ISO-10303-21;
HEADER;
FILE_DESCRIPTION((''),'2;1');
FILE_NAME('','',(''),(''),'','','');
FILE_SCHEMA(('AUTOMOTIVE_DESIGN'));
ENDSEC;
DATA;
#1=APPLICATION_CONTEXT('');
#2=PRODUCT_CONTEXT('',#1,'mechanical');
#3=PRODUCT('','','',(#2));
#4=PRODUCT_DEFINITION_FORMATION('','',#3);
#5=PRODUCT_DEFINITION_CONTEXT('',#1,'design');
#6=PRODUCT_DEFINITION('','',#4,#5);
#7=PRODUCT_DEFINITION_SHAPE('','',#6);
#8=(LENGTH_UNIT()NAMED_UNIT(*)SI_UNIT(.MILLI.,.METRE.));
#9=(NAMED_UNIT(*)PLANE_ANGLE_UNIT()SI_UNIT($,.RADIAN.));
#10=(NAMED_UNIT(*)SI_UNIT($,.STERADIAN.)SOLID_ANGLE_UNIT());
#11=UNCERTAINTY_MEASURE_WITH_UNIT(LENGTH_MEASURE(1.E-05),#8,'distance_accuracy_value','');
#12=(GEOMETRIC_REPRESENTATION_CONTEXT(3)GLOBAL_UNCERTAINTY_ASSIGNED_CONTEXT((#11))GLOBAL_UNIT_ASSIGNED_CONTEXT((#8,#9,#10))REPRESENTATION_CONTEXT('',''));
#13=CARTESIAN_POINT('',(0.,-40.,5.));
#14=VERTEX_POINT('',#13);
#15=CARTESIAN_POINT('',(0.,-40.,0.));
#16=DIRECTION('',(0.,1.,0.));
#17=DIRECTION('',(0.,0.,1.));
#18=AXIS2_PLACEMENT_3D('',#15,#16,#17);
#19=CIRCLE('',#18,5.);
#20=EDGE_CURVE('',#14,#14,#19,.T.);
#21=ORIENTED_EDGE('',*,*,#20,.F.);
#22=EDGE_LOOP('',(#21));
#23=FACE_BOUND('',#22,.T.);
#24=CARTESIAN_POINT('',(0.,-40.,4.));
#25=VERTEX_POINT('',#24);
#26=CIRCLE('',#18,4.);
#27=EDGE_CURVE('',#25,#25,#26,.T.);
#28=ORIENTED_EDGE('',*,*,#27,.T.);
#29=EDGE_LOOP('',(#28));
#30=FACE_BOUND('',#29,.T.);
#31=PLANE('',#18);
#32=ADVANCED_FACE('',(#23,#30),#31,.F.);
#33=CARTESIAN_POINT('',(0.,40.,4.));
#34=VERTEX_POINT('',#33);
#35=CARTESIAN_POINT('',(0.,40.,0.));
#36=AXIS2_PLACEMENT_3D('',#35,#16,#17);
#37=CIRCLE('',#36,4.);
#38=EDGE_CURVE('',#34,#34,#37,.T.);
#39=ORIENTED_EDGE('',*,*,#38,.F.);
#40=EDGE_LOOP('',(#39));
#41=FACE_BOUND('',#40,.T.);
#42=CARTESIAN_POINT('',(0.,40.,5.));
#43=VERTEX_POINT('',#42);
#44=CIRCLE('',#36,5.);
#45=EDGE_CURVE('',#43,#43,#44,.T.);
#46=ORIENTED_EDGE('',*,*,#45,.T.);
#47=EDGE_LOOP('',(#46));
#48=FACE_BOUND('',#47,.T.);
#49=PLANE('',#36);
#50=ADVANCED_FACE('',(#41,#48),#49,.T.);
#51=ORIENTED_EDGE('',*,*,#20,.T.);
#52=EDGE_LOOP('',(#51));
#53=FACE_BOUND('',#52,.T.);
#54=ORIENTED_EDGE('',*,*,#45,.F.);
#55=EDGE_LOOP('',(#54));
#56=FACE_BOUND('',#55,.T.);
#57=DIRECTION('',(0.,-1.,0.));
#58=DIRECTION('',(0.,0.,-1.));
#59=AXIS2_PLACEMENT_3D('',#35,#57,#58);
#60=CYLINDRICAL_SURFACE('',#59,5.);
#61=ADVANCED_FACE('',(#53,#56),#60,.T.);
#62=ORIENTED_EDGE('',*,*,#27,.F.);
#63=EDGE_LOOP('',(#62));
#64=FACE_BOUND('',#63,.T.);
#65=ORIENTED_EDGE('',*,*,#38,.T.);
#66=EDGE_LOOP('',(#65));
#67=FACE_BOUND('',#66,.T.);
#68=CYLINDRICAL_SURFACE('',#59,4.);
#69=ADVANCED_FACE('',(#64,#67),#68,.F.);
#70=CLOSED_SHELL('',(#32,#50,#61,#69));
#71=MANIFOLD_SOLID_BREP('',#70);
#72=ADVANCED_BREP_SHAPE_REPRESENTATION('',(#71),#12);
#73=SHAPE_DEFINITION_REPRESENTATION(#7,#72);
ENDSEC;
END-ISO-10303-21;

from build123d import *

# Parameters (mm, degrees)
SKETCH1_R           = 5
SKETCH1_R_2         = 4
BOSS_EXTRUDE1_DEPTH = 40


with BuildPart() as part:
    # Sketch1 → Boss-Extrude1 (new body, symmetric)
    with BuildSketch(Plane(origin=(0, 0, 0), x_dir=(1, 0, 0), z_dir=(0, 1, 0))):
        Circle(SKETCH1_R)
        Circle(SKETCH1_R_2, mode=Mode.SUBTRACT)
    extrude(amount=BOSS_EXTRUDE1_DEPTH, both=True)


solid = part.part
